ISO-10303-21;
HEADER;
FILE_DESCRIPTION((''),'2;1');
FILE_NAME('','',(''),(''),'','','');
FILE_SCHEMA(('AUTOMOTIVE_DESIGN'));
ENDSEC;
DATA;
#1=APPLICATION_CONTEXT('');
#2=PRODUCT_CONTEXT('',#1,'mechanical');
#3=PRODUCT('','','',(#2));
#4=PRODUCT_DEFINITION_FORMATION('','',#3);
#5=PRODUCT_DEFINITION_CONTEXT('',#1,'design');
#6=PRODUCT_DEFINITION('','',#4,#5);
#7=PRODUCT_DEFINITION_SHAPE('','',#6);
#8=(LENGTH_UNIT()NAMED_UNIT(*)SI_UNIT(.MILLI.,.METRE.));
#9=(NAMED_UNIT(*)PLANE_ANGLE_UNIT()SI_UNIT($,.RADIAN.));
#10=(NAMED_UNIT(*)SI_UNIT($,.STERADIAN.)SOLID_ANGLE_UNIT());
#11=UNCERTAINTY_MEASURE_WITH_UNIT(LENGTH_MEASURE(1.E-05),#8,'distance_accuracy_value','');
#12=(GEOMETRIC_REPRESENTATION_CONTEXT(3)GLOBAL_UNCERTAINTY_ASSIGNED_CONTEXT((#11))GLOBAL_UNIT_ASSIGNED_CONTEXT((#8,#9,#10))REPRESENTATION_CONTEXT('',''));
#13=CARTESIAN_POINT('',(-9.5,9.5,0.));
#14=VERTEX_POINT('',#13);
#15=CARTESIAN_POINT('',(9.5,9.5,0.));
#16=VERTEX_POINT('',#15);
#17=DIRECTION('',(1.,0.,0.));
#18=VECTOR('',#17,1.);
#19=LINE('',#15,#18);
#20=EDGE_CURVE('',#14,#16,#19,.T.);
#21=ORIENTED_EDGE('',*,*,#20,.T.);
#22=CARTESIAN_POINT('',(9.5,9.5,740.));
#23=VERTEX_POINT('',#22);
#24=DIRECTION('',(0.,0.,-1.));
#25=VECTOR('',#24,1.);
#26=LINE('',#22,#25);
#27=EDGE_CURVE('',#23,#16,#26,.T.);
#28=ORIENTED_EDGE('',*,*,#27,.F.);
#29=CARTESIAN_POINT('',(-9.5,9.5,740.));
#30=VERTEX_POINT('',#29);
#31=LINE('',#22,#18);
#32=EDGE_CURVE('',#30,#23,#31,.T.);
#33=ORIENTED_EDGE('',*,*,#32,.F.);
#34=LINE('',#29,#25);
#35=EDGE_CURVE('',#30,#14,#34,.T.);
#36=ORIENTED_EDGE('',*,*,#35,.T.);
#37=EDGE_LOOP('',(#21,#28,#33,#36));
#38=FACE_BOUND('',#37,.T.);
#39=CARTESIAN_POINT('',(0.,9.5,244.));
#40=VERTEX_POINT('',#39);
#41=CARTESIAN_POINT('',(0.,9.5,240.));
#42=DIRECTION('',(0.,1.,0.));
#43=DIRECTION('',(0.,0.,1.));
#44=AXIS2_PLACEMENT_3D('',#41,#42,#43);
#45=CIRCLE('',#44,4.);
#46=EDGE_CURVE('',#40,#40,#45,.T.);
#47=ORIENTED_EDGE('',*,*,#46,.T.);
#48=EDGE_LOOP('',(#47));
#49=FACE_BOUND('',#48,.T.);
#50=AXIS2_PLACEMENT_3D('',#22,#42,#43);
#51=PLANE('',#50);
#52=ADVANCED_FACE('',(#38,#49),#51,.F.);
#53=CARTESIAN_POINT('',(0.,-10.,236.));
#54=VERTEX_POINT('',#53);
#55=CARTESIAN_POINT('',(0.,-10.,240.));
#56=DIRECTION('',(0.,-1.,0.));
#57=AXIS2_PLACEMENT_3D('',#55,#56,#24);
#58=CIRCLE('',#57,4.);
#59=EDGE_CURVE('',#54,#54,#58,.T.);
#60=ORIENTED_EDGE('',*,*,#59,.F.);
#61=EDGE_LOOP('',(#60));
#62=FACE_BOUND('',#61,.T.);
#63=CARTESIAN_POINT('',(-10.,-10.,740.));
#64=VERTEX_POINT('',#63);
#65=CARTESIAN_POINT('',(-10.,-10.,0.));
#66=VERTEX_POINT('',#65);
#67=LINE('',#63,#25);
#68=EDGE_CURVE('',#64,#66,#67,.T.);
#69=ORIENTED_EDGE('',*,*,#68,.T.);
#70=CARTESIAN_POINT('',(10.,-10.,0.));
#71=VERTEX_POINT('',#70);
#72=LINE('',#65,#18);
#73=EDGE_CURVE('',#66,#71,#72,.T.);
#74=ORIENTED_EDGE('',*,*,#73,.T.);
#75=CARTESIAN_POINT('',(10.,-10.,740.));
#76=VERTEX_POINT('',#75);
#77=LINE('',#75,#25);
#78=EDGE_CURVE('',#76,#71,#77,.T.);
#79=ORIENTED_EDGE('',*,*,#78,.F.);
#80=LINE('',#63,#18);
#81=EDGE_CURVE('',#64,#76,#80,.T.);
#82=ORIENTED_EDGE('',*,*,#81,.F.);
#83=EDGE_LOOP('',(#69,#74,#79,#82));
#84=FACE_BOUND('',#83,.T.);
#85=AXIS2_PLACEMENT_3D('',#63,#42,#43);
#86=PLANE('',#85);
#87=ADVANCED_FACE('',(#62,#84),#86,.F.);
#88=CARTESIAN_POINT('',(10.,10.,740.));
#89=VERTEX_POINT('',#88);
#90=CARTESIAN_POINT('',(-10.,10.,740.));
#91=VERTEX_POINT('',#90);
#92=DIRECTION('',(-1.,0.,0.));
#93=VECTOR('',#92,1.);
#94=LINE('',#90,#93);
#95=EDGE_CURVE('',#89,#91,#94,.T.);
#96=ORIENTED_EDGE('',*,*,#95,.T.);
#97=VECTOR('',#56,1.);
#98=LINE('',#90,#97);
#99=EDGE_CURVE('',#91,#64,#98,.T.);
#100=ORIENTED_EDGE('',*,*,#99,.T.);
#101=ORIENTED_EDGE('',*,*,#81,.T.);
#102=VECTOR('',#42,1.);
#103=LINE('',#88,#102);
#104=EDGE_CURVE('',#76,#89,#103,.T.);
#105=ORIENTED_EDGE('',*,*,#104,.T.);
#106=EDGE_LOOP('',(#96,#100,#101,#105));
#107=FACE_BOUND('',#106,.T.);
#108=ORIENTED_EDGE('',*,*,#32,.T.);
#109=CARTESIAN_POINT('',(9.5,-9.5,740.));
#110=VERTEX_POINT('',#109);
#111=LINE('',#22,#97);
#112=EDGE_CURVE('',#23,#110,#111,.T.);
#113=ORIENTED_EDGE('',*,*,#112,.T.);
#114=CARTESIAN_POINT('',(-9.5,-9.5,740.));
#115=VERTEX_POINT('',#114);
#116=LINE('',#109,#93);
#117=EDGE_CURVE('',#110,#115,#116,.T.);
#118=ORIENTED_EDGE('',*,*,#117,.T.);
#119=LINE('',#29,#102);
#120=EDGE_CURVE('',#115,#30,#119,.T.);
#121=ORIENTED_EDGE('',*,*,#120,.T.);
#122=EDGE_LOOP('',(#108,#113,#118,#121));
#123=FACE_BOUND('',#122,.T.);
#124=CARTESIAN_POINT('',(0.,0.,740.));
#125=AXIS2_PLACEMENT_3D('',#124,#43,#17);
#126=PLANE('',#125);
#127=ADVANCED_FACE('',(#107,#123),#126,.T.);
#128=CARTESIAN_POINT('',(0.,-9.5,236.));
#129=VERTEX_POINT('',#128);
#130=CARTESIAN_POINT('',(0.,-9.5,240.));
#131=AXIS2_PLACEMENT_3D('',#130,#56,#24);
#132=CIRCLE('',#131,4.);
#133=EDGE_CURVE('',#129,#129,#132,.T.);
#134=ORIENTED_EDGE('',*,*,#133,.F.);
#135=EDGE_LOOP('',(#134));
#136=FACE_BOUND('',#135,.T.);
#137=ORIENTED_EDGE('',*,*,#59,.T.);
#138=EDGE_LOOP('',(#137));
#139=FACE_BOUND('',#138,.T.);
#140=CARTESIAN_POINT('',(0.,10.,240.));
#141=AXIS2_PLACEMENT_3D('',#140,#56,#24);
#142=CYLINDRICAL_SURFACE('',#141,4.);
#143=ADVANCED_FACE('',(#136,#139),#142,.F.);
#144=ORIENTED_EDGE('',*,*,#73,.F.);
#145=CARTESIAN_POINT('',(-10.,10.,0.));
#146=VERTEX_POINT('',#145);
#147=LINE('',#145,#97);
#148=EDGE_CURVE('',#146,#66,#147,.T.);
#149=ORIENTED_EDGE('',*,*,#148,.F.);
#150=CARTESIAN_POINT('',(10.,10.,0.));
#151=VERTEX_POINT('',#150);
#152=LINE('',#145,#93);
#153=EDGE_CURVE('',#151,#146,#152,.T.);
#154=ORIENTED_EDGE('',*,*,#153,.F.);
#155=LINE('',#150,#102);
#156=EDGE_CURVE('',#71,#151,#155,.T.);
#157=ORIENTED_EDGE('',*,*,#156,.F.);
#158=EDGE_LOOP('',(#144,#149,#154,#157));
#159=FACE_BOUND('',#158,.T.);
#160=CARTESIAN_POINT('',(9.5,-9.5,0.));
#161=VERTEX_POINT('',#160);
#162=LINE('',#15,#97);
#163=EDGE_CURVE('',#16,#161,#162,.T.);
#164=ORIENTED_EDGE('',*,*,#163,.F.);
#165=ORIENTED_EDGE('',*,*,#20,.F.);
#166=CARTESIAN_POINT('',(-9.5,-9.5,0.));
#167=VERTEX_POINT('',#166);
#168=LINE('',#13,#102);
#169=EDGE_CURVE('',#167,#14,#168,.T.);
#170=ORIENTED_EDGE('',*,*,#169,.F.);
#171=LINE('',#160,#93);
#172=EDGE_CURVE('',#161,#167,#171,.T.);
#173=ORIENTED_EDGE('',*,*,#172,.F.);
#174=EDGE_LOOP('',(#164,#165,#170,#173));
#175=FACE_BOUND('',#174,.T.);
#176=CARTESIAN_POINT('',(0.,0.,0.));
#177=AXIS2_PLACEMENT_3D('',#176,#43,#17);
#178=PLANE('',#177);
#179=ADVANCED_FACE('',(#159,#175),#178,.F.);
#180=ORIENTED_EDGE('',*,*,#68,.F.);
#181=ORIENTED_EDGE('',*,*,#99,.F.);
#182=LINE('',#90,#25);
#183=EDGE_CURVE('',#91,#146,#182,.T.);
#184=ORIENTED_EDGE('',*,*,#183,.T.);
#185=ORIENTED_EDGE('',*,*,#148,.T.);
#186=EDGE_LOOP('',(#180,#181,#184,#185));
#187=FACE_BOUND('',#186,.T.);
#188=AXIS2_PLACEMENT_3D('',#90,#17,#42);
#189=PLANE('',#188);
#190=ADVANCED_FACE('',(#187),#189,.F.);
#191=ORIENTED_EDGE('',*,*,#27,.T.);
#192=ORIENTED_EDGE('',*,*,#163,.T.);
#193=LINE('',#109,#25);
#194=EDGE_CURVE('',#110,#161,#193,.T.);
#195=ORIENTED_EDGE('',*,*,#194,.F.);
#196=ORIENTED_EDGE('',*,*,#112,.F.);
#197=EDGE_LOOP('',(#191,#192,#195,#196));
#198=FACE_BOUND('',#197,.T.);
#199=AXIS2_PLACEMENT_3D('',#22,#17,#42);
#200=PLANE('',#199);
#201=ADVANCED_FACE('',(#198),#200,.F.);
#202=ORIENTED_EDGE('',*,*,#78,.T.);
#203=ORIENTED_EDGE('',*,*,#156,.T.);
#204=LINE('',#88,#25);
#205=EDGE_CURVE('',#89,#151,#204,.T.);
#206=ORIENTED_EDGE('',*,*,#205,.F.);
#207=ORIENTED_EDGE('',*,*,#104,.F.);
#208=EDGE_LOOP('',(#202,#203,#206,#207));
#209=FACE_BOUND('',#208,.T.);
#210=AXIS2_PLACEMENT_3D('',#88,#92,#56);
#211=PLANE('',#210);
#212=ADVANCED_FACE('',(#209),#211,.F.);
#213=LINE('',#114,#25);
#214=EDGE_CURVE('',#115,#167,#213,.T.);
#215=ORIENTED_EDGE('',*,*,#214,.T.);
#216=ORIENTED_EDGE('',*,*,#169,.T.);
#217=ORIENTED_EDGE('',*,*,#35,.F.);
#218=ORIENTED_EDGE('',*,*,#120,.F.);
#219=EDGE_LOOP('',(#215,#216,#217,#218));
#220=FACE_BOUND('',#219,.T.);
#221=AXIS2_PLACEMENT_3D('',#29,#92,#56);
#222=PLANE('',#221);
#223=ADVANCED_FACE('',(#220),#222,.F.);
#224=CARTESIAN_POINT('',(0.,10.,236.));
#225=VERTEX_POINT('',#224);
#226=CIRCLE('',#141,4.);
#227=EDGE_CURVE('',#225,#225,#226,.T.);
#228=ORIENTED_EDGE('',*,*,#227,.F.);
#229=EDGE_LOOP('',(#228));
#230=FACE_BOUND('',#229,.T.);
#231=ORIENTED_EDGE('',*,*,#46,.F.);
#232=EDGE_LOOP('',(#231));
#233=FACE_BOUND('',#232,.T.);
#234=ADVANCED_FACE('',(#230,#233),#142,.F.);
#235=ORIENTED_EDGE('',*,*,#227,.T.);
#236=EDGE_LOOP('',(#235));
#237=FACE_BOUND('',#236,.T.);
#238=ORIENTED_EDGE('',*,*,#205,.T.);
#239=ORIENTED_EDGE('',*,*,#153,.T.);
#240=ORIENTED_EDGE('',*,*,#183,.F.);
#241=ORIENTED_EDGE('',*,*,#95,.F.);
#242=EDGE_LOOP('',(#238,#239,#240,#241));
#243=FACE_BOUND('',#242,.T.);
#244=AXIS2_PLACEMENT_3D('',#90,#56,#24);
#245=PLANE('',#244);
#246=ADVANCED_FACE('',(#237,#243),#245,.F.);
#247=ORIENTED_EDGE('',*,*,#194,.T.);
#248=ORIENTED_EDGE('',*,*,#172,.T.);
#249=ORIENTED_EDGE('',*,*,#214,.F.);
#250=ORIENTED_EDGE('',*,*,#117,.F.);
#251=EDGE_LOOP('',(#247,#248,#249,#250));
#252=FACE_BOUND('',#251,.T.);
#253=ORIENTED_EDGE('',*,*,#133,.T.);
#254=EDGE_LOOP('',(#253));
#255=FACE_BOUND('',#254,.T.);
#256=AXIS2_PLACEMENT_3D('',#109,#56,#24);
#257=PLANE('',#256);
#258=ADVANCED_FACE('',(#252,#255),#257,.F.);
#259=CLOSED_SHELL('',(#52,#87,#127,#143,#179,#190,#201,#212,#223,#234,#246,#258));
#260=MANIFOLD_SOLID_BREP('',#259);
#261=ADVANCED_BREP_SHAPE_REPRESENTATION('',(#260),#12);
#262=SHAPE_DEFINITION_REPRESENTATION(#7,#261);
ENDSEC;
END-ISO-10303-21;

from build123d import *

# Parameters (mm, degrees)
SKETCH2_W           = 20
SKETCH2_H           = 20
BOSS_EXTRUDE1_DEPTH = 740
SKETCH3_W           = 19
SKETCH3_H           = 19
CUT_EXTRUDE1_DEPTH  = 740
SKETCH5_R           = 4
CUT_EXTRUDE2_DEPTH  = 20


with BuildPart() as part:
    # Sketch2 → Boss-Extrude1 (new body)
    with BuildSketch(Plane.XY):
        Rectangle(SKETCH2_W, SKETCH2_H)
    extrude(amount=BOSS_EXTRUDE1_DEPTH)

    # Sketch3 → Cut-Extrude1 (cut)
    with BuildSketch(Plane(origin=(0, 0, 0), x_dir=(-1, 0, 0), z_dir=(0, 0, -1))):
        Rectangle(SKETCH3_W, SKETCH3_H)
    extrude(amount=-CUT_EXTRUDE1_DEPTH, mode=Mode.SUBTRACT)

    # Sketch5 → Cut-Extrude2 (cut)
    with BuildSketch(Plane.XZ.offset(10)):
        with Locations(Location((0, 240, 0), (0, 0, 270))):
            Circle(SKETCH5_R)
    extrude(amount=-CUT_EXTRUDE2_DEPTH, mode=Mode.SUBTRACT)


solid = part.part
